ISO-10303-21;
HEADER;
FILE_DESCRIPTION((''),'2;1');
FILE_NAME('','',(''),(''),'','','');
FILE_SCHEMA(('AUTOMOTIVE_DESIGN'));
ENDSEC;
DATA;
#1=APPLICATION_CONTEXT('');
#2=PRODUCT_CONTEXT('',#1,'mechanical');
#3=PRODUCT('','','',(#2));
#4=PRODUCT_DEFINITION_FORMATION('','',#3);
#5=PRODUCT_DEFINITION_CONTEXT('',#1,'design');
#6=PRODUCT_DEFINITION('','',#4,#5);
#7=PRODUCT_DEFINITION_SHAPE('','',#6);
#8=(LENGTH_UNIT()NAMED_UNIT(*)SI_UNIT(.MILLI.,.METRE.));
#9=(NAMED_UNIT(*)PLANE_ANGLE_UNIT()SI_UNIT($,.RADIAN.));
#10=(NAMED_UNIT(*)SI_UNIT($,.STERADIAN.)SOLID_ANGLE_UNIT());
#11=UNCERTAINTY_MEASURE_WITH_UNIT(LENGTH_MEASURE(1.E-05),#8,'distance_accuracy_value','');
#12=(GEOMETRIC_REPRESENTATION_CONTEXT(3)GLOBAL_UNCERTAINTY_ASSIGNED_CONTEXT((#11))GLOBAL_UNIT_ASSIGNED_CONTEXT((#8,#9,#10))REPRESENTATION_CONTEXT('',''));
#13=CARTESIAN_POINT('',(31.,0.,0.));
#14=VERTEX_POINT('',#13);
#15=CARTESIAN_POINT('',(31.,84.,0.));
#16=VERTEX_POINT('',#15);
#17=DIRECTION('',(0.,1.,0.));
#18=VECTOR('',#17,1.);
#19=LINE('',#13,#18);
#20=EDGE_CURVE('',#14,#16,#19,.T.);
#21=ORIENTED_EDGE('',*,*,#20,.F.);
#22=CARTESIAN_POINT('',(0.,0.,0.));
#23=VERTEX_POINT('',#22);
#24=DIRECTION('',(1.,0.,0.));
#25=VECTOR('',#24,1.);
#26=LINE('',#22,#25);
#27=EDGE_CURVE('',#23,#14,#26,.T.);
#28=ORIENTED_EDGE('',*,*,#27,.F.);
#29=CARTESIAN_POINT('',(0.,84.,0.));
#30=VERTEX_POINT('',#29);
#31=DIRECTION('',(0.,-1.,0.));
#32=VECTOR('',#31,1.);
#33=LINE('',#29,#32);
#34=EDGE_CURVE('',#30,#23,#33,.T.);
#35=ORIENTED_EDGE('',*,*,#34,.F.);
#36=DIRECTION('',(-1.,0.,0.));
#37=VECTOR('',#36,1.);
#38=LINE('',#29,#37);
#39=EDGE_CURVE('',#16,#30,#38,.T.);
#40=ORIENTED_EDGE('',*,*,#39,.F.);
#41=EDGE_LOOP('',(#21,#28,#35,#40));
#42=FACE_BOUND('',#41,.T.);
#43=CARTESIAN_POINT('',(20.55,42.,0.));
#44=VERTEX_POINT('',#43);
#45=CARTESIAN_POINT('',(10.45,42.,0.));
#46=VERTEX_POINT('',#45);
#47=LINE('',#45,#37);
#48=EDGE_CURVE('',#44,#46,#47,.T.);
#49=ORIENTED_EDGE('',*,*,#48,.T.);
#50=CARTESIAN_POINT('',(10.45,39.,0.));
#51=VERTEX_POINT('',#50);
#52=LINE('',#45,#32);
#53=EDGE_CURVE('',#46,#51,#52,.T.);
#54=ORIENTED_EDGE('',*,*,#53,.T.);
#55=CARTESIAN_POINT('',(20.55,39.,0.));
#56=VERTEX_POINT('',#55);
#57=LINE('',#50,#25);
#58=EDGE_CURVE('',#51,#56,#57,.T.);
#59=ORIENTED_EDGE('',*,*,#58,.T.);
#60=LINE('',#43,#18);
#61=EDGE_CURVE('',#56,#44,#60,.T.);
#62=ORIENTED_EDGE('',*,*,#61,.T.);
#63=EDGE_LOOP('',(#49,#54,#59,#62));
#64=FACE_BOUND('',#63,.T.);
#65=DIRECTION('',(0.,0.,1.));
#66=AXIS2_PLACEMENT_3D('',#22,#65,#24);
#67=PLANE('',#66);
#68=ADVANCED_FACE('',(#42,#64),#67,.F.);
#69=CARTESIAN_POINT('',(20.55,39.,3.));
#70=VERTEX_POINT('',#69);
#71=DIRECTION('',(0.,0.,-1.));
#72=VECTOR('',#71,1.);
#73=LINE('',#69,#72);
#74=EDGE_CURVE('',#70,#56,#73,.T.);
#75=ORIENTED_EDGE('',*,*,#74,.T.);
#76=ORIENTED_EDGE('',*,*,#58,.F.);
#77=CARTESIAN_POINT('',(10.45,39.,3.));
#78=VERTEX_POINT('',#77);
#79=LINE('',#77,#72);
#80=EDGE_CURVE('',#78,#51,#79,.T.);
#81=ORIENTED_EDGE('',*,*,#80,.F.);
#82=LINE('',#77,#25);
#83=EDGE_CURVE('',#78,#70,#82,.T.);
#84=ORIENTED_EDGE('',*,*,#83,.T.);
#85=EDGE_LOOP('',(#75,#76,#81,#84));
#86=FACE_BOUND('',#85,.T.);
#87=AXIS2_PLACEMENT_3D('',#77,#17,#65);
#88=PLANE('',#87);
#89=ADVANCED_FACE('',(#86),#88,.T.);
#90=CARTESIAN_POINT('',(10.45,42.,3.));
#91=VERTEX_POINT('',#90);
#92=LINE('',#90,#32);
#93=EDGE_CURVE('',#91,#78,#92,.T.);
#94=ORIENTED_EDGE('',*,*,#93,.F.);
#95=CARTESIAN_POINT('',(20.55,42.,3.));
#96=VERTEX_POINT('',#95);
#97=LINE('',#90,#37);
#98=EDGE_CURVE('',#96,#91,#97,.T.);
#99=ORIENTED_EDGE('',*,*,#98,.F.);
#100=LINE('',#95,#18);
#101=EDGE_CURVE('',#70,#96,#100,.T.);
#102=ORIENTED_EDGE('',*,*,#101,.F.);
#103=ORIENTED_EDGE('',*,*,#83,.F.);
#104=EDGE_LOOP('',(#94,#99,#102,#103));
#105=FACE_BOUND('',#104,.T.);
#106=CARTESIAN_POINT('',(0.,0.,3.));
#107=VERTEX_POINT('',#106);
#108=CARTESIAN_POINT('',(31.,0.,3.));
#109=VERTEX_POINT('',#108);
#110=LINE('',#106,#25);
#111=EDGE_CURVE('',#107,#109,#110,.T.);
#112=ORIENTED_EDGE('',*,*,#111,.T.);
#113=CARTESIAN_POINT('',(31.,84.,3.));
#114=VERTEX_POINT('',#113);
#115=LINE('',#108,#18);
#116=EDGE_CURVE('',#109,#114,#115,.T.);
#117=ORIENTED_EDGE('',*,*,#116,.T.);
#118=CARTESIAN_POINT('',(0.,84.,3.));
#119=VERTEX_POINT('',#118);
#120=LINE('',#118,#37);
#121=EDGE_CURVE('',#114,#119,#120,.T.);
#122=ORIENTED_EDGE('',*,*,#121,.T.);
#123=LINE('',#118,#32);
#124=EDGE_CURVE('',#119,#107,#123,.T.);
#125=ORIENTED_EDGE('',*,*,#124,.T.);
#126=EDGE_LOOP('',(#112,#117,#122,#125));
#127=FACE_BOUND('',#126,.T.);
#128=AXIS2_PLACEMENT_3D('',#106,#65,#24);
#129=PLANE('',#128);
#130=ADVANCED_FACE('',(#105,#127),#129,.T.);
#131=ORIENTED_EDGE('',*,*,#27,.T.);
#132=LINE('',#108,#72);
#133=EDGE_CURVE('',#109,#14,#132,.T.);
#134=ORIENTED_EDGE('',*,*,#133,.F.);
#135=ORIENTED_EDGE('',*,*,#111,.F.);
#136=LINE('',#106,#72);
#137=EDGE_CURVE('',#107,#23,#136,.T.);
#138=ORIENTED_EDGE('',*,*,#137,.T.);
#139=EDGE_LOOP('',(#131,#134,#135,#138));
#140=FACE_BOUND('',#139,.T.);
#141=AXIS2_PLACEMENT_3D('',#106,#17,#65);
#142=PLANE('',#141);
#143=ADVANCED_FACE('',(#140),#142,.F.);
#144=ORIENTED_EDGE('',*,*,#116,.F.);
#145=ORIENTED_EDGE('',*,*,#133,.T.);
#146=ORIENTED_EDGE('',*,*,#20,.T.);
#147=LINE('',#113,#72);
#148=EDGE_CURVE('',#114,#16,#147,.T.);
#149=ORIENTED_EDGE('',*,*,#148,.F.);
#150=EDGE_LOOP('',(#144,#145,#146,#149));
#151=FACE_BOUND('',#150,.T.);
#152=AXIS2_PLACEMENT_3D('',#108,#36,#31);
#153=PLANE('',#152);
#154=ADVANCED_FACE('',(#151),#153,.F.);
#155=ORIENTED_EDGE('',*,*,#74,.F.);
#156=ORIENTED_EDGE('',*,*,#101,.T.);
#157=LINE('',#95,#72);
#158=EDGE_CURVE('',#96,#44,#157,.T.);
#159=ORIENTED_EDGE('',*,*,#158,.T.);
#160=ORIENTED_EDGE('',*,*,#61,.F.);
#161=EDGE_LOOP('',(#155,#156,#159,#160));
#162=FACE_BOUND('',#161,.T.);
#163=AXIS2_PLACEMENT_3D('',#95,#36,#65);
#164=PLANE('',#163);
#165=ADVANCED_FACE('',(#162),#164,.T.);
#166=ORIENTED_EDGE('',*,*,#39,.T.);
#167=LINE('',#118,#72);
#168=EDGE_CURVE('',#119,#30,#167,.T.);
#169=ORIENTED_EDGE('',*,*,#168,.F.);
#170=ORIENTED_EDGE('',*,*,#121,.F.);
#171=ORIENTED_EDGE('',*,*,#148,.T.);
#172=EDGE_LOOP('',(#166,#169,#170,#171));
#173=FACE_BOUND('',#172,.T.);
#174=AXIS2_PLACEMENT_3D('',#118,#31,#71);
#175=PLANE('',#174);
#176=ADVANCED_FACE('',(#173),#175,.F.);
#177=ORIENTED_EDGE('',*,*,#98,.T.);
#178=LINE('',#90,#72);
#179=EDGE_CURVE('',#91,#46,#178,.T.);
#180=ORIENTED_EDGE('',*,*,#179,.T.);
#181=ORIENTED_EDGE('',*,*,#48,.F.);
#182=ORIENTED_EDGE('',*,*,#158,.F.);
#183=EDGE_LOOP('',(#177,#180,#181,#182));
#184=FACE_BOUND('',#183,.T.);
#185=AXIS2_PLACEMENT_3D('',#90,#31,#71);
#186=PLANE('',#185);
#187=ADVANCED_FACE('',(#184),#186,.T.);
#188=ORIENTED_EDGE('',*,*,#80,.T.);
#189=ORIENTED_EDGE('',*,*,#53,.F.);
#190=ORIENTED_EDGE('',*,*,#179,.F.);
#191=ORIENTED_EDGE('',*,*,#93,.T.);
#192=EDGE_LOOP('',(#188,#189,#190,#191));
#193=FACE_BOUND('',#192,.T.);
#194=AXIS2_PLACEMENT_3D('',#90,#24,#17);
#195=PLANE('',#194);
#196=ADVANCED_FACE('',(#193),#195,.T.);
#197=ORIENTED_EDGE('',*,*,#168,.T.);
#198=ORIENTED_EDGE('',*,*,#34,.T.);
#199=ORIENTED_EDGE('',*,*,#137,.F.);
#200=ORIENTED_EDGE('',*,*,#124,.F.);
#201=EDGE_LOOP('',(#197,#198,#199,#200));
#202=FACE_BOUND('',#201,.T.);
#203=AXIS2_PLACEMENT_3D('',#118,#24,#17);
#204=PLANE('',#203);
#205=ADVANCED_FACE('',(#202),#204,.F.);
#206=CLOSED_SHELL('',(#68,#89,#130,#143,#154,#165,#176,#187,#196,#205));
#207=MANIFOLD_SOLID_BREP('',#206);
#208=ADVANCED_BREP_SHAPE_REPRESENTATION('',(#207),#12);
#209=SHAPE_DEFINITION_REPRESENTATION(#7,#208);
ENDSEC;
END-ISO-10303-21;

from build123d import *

# Parameters (mm, degrees)
ESQUISSE1_W        = 31
ESQUISSE1_H        = 84
ESQUISSE1_W_2      = 10.1
ESQUISSE1_H_2      = 3
BOSS_EXTRU_1_DEPTH = 3


with BuildPart() as part:
    # Esquisse1 → Boss.-Extru.1 (new body)
    with BuildSketch(Plane.XY):
        with Locations((15.5, 42)):
            Rectangle(ESQUISSE1_W, ESQUISSE1_H)
        with Locations((15.5, 40.5)):
            Rectangle(ESQUISSE1_W_2, ESQUISSE1_H_2, mode=Mode.SUBTRACT)
    extrude(amount=BOSS_EXTRU_1_DEPTH)


solid = part.part
